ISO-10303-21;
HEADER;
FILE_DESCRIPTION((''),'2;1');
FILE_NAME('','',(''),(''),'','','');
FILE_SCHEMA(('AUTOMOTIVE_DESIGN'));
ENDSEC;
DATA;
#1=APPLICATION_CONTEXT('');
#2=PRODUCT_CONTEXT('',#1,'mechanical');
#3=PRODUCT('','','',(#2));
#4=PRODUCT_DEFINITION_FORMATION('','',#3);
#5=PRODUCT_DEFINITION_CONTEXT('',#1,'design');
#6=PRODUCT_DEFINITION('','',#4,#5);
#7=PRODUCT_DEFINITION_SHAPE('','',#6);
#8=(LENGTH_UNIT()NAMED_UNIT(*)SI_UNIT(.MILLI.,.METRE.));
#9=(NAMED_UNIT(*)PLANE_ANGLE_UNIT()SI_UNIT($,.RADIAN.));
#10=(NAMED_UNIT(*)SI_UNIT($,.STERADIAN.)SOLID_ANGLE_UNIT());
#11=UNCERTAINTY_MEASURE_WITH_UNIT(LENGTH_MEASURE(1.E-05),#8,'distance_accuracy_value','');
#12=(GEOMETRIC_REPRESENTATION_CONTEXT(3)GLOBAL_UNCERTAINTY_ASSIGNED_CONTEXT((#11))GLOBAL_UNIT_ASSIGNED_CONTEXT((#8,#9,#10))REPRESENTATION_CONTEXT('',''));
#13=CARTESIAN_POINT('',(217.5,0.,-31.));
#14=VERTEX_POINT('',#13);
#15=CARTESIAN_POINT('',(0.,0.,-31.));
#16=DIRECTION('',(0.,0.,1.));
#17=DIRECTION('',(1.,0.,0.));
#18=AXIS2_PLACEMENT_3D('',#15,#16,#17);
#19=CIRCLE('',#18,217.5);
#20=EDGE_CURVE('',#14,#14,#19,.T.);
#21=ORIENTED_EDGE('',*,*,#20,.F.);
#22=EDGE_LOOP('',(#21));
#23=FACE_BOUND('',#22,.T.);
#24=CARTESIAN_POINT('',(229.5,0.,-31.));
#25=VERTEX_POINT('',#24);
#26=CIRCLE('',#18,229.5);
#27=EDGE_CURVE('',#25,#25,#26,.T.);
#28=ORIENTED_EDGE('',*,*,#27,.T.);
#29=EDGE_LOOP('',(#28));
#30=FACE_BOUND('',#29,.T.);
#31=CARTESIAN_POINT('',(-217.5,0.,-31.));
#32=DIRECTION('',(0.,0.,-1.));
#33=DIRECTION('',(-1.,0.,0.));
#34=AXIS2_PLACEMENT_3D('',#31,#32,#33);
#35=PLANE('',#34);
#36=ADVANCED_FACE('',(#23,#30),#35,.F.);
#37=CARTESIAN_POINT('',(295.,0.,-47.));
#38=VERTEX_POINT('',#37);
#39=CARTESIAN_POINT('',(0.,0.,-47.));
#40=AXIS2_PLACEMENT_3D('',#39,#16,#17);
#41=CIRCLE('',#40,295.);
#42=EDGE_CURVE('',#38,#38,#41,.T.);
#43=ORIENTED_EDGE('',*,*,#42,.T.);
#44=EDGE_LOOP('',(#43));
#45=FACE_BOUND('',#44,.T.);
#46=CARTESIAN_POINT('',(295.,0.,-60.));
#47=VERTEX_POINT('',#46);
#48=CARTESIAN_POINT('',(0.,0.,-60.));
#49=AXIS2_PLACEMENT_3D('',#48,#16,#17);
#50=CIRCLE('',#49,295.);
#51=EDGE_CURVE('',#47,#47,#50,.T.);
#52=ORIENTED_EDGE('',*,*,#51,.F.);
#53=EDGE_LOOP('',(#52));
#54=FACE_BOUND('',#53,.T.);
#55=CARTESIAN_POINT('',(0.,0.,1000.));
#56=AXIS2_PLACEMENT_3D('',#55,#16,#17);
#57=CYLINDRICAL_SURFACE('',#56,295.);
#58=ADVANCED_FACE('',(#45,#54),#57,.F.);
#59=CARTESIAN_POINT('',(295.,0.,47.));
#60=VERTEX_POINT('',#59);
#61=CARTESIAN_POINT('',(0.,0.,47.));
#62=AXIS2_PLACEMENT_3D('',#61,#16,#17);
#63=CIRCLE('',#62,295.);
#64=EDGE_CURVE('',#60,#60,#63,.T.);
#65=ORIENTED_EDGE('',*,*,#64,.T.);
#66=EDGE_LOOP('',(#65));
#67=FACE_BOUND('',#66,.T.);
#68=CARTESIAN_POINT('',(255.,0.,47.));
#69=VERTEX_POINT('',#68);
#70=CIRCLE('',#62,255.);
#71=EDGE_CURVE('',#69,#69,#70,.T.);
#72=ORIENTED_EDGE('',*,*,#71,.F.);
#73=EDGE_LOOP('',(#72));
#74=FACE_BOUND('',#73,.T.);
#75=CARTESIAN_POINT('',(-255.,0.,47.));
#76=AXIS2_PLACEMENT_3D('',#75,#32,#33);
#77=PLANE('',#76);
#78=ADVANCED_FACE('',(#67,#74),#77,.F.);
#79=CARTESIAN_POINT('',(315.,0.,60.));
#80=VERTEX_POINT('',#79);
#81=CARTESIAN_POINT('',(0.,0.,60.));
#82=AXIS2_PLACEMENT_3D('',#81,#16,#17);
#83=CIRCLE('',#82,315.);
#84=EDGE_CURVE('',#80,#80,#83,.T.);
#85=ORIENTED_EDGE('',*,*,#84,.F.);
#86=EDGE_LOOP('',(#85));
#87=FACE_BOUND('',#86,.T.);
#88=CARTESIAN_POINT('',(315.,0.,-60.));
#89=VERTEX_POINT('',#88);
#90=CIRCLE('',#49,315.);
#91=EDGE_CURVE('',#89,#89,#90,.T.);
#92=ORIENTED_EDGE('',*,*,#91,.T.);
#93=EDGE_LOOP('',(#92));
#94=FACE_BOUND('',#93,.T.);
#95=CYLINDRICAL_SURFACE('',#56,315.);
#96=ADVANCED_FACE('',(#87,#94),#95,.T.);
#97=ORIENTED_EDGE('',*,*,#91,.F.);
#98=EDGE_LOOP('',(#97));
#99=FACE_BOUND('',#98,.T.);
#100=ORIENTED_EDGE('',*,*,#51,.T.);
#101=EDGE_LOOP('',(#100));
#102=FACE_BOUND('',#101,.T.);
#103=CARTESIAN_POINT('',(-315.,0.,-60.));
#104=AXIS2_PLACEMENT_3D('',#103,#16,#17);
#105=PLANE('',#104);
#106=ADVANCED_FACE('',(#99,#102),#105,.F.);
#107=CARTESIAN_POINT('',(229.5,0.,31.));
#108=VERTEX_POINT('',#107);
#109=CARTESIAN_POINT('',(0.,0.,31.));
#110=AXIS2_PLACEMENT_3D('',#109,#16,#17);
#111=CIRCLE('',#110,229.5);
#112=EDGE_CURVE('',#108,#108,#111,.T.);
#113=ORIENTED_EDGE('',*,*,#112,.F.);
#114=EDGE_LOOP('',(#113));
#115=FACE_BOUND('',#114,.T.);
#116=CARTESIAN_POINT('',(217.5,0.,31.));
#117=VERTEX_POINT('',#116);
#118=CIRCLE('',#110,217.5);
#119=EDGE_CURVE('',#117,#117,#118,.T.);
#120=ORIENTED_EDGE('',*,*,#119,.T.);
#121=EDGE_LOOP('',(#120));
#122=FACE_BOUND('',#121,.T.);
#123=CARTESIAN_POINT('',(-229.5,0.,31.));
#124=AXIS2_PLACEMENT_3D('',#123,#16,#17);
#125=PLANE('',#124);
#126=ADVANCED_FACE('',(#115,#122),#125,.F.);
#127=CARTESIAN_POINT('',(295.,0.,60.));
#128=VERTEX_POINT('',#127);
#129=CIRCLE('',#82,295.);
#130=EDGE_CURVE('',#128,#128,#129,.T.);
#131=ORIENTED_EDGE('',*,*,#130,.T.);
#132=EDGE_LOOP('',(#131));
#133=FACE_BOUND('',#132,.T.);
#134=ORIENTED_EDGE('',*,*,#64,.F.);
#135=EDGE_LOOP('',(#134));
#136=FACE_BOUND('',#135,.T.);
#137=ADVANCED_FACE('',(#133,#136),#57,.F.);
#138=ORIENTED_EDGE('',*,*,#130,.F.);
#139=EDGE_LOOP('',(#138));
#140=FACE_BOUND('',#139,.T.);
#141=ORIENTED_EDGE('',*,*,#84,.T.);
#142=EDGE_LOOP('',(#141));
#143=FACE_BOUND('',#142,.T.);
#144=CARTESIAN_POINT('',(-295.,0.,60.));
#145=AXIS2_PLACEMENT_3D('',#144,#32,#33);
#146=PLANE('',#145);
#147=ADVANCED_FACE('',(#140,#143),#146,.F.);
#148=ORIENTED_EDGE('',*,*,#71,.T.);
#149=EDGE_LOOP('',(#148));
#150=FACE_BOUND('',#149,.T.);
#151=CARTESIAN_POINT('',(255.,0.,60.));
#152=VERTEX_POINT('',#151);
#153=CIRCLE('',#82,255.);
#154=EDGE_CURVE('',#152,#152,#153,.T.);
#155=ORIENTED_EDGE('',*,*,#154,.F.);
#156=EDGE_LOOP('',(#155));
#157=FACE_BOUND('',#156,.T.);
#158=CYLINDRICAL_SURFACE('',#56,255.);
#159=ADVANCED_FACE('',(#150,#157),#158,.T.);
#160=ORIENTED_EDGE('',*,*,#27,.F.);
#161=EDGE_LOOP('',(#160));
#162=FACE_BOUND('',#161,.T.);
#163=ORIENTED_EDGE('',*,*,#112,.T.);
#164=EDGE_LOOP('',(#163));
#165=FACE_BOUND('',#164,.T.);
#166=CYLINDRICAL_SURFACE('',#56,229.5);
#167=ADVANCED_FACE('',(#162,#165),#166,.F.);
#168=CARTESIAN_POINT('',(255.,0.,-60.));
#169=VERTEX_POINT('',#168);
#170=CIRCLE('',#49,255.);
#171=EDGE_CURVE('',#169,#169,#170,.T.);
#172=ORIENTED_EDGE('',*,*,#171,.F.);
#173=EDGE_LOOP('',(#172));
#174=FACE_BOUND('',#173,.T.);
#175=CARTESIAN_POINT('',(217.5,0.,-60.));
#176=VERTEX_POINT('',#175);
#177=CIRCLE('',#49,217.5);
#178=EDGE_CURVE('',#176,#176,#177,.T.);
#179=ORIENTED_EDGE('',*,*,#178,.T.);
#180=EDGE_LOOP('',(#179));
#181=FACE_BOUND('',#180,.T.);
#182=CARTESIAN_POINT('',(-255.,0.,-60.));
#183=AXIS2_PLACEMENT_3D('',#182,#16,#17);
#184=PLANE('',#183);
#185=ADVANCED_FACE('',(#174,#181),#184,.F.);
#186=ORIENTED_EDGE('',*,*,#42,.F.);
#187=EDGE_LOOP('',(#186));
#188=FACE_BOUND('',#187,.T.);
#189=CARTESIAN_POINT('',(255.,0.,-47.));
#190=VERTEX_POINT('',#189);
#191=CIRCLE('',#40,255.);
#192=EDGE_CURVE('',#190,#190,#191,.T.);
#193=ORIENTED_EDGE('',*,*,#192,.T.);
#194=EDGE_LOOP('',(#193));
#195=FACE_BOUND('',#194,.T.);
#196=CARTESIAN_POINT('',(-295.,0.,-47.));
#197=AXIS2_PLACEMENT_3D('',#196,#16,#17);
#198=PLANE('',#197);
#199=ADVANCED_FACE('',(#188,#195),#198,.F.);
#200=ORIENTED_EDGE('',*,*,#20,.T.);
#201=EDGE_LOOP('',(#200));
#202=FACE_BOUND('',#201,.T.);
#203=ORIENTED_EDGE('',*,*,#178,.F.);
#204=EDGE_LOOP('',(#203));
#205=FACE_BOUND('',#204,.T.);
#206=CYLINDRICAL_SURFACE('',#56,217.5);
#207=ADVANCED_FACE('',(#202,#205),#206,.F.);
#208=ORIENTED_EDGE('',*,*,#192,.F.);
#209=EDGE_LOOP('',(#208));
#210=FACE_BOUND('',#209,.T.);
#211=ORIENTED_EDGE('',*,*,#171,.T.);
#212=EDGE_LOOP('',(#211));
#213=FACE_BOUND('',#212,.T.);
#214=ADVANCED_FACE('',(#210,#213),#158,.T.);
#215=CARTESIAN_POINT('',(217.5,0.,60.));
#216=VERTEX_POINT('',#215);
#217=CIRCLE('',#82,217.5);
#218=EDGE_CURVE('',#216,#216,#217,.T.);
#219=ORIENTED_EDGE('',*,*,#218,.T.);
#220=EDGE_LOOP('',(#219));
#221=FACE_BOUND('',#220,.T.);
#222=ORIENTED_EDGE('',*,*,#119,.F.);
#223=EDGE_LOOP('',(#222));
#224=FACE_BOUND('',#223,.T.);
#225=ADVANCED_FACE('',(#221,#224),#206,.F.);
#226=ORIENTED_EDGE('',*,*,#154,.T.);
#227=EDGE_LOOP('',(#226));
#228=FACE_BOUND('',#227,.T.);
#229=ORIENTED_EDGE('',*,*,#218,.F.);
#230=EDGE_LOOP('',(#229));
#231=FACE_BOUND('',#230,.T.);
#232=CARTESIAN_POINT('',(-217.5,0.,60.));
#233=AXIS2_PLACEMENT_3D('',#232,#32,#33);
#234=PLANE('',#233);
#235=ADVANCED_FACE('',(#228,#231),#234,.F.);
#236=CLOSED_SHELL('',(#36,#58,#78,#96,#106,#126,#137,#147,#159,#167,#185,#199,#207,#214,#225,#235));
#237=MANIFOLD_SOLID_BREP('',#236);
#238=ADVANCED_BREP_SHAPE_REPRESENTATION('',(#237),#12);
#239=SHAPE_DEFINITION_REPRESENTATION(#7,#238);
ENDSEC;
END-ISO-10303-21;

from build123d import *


with BuildPart() as part:
    # Sketch1 → Revolve1 (revolve)
    with BuildSketch(Plane(origin=(0, 0, 0), x_dir=(1, 0, 0), z_dir=(0, 1, 0)), mode=Mode.PRIVATE) as revolve1_sk:
        Polygon((-315, 60), (-295, 60), (-295, 47), (-255, 47), (-255, 60), (-217.5, 60), (-217.5, 31), (-229.5, 31), (-229.5, -31), (-217.5, -31), (-217.5, -60), (-255, -60), (-255, -47), (-295, -47), (-295, -60), (-315, -60), align=None)
    revolve(revolve1_sk.sketch.rotate(Axis((0, 0, 1000), (0, 0, -1)), 180), axis=Axis((0, 0, 1000), (0, 0, -1)))


solid = part.part
